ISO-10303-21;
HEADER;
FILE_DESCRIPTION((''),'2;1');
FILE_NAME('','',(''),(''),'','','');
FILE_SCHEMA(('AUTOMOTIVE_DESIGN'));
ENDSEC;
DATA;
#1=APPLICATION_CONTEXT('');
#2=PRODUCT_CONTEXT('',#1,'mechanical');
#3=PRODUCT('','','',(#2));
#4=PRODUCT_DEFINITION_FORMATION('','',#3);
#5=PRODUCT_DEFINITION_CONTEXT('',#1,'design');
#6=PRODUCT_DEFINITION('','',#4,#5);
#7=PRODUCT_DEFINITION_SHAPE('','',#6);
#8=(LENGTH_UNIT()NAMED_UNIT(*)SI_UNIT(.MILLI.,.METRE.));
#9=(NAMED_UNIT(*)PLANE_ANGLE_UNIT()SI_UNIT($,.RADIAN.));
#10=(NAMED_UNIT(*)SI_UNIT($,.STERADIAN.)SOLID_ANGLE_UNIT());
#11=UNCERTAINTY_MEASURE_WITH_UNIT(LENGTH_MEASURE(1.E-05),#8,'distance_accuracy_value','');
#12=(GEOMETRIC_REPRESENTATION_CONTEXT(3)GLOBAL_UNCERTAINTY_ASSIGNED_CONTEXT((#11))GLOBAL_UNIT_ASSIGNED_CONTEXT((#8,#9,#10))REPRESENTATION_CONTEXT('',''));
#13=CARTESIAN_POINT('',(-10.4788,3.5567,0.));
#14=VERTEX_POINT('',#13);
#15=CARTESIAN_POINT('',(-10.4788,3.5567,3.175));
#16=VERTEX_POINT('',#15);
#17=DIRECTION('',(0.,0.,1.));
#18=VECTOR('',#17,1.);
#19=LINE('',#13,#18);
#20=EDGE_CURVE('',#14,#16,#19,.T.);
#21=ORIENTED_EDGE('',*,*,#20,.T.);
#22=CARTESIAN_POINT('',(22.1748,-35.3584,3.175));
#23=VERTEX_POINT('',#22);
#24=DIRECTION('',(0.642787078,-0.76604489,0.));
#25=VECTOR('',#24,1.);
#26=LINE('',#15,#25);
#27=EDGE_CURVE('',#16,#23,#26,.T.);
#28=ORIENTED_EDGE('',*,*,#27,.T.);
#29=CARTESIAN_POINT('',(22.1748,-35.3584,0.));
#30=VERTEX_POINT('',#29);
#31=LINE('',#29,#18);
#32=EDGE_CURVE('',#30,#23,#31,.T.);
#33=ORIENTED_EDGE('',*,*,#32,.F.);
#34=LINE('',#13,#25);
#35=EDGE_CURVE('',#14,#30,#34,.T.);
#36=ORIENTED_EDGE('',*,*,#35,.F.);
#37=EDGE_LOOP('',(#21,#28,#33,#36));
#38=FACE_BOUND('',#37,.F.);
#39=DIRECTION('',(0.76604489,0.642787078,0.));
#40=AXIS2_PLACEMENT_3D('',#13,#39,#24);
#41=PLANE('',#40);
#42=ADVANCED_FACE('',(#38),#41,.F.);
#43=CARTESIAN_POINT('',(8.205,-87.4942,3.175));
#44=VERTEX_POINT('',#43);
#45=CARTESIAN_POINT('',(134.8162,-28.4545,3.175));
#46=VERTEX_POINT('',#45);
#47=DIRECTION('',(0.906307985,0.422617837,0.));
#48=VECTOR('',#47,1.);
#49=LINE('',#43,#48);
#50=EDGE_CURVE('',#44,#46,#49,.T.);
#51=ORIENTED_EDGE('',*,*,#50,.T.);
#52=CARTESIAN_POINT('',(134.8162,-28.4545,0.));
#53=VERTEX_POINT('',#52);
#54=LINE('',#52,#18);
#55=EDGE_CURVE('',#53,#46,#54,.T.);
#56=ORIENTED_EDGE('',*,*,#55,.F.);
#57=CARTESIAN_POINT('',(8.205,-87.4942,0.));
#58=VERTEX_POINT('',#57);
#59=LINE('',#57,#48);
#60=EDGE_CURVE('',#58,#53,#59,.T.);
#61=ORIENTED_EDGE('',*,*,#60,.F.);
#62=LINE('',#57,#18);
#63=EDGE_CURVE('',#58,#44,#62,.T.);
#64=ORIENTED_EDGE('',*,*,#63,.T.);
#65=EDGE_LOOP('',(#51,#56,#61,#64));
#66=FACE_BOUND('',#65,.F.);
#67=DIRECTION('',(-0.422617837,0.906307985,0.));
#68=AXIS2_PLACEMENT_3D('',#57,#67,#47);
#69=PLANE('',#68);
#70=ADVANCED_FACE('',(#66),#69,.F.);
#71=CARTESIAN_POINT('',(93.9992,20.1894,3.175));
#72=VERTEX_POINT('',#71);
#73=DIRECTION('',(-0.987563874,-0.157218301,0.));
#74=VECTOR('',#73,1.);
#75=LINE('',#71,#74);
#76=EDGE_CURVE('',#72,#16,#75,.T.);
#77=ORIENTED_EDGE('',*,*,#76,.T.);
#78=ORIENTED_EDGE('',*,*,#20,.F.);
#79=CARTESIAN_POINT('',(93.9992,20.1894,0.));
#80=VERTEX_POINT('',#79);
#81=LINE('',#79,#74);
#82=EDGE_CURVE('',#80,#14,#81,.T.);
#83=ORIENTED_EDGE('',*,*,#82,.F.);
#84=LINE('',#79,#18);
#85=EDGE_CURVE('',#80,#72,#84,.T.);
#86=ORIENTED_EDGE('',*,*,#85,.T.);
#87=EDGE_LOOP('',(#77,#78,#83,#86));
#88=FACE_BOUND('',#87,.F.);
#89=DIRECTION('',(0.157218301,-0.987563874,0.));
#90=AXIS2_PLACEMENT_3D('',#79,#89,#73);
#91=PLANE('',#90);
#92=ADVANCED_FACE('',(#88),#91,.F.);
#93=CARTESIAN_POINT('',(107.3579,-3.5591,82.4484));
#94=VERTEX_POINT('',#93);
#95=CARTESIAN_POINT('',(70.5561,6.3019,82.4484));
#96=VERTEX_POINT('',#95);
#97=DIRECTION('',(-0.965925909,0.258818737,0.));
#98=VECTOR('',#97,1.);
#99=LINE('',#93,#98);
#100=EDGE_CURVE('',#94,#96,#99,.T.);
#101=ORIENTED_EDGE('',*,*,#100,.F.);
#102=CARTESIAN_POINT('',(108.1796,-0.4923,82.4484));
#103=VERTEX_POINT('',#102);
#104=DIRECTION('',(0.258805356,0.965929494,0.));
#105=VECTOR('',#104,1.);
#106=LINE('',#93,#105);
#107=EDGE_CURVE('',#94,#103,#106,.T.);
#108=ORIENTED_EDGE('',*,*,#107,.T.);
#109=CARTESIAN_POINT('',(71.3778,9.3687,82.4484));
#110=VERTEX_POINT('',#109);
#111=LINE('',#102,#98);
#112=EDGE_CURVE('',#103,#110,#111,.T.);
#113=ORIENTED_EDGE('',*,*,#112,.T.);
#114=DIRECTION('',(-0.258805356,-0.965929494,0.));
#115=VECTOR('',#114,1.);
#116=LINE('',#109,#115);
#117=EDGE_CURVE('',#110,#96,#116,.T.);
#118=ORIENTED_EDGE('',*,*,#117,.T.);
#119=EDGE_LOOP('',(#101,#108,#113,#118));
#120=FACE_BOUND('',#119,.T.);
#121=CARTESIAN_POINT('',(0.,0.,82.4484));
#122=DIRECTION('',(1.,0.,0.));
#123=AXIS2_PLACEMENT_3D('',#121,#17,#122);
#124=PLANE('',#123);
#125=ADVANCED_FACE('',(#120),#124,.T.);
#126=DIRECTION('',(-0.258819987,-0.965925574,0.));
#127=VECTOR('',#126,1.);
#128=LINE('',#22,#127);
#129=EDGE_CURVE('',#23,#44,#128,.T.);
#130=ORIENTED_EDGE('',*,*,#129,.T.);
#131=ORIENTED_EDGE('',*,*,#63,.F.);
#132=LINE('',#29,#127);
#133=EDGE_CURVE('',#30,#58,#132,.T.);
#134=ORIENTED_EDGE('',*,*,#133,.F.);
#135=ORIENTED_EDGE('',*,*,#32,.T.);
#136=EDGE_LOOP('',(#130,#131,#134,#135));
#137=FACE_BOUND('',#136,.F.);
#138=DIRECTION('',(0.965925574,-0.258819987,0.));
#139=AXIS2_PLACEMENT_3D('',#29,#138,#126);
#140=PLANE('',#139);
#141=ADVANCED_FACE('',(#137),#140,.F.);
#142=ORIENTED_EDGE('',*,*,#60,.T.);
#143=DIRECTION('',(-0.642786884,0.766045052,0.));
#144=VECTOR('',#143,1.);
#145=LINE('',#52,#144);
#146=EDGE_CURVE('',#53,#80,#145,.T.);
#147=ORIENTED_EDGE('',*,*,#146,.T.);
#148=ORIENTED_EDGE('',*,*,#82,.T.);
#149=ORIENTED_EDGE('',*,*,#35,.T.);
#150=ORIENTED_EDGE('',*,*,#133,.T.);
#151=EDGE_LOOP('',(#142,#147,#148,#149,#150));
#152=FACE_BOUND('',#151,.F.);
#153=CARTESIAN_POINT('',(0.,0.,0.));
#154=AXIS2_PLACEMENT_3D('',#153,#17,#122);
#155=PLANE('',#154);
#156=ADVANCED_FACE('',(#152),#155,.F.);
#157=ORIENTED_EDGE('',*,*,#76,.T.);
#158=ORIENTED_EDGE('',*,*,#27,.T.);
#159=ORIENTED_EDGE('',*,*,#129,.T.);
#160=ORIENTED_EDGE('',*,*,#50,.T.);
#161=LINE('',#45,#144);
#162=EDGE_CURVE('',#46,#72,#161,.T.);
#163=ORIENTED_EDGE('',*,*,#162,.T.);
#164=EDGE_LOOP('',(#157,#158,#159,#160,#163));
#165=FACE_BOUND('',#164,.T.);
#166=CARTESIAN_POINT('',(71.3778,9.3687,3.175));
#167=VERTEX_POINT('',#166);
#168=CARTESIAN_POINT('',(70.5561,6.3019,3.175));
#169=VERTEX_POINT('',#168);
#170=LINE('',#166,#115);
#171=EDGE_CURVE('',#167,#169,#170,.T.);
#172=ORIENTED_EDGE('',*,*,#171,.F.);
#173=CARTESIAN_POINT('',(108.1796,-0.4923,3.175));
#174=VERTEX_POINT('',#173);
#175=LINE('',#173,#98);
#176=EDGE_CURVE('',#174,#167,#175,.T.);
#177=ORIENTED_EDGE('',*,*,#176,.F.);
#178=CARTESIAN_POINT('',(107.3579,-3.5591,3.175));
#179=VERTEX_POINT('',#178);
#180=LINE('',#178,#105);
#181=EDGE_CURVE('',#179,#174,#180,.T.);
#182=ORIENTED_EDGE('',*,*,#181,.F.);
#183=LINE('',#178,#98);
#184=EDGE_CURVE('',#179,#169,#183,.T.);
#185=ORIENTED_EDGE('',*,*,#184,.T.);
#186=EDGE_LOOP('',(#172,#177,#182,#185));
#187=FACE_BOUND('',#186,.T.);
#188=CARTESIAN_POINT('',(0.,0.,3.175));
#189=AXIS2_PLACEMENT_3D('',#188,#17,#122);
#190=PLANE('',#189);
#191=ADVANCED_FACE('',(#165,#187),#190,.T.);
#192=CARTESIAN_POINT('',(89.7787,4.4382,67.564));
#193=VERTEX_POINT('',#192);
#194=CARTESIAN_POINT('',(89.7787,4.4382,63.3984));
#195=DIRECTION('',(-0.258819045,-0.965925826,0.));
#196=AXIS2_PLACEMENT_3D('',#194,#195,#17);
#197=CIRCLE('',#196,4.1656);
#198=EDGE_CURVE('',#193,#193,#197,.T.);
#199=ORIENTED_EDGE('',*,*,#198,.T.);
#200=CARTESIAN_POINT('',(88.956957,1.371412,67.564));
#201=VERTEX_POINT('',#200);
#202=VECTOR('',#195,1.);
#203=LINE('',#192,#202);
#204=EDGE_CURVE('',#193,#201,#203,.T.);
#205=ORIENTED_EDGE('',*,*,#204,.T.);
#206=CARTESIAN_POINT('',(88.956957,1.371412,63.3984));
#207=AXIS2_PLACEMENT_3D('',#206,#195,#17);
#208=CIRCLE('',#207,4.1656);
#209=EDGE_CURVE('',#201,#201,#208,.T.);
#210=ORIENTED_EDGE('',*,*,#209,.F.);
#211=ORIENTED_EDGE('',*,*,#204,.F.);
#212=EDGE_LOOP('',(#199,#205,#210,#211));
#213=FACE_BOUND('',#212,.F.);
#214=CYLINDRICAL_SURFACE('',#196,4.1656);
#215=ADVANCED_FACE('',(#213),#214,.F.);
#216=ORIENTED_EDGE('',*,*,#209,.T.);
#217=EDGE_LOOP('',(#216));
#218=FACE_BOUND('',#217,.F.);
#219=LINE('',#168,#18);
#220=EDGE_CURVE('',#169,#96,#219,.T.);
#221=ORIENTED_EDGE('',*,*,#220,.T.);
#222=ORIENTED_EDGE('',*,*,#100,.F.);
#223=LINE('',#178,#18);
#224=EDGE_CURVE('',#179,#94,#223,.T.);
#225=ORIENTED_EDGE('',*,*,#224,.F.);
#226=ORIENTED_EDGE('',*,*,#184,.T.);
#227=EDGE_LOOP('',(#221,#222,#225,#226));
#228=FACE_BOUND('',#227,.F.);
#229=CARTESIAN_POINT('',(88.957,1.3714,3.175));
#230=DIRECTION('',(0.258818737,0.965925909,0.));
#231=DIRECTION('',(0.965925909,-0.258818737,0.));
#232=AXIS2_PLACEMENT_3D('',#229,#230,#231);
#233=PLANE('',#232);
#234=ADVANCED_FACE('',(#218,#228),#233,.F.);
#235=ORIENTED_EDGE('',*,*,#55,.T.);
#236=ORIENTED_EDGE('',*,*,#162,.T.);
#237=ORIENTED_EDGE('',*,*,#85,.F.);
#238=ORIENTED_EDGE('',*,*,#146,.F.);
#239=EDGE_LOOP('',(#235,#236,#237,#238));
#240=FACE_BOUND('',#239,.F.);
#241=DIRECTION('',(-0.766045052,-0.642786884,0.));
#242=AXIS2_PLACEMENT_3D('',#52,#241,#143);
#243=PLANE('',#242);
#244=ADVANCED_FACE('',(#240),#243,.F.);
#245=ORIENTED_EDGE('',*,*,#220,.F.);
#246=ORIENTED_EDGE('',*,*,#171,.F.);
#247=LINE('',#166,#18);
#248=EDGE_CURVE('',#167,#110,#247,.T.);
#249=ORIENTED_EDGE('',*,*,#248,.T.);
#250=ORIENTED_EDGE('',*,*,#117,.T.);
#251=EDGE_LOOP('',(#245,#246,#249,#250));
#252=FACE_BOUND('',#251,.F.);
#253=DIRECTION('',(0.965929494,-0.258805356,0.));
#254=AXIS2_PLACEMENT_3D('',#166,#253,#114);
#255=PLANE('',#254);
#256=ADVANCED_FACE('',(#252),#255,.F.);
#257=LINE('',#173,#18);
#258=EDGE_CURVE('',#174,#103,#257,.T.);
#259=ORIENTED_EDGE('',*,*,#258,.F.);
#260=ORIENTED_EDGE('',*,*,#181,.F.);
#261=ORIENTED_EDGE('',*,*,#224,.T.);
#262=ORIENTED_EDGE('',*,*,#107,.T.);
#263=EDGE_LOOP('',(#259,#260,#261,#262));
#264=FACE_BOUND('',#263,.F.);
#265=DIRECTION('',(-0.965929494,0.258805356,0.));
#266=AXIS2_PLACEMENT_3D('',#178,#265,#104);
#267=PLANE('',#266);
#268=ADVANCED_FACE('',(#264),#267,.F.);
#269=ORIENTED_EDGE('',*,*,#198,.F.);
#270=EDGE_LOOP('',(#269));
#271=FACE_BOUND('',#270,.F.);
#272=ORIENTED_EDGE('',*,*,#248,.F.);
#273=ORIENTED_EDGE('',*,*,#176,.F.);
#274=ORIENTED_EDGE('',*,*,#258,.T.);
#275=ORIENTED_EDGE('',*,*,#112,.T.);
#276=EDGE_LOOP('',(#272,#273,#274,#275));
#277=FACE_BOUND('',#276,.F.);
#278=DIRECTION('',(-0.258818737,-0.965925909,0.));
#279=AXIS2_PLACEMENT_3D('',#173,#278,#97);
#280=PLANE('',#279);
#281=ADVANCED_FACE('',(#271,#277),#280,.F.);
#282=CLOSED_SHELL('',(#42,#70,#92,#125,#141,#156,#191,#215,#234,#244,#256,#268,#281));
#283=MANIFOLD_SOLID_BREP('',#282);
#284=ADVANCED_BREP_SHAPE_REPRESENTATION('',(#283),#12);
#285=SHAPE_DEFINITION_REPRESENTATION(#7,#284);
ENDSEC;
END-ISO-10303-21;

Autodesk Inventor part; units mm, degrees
ref_plane "YZ Plane" through (0, 0, 0) normal (1, 0, 0) x (0, 1, 0)
ref_plane "XZ Plane" through (0, 0, 0) normal (0, 1, 0) x (-1, 0, 0)
ref_plane "XY Plane" through (0, 0, 0) normal (0, 0, 1) x (1, 0, 0)
sketch "Sketch1" plane through (0, 0, 0) normal (0, 0, 1) x (1, 0, 0)
  line L0 (-10.4788, 3.5567) -> (22.1748, -35.3584)
  line L1 (-10.4788, 3.5567) -> (40.3212, 3.5567) construction
  line L2 (22.1748, -35.3584) -> (8.205, -87.4942)
  line L3 (8.205, -87.4942) -> (134.8162, -28.4545)
  line L4 (134.8162, -28.4545) -> (93.9992, 20.1894)
  line L5 (93.9992, 20.1894) -> (-10.4788, 3.5567)
  point P0 (0, 0)
  dimension "d0" = 50.8
  dimension "d1" = 50
  dimension "d2" = 53.975
  dimension "d3" = 125
  dimension "d4" = 139.7
  dimension "d5" = 50
  dimension "d6" = 63.5
  dimension "d7" = 75
extrude "Extrusion1" add sketch "Sketch1" along normal blind 3.175
sketch "Sketch2" plane through (0, 0, 3.175) normal (0, 0, 1) x (1, 0, 0)
  line L0 (22.1748, -35.3584) -> (8.205, -87.4942) projected
  line L1 (8.205, -87.4942) -> (8.205, -87.4942)
  line L2 (93.9992, 20.1894) -> (113.481, 20.1894) construction
  line L3 (88.957, 1.3714) -> (107.3579, -3.5591)
  line L4 (107.3579, -3.5591) -> (108.1796, -0.4923)
  line L5 (108.1796, -0.4923) -> (71.3778, 9.3687)
  line L6 (71.3778, 9.3687) -> (70.5561, 6.3019)
  line L7 (88.957, 1.3714) -> (70.5561, 6.3019)
  point P0 (0, 0)
  dimension "d10" = 19.4818
  dimension "d12" = 19.05
  dimension "d13" = 3.175
  dimension "d14" = 38.1
extrude "Extrusion2" add sketch "Sketch2" along normal blind 79.2734
sketch "Sketch3" plane through (71.3778, 9.3687, 82.4484) normal (0.2588, 0.9659, 0) x (0.9659, -0.2588, 0)
  line L0 (0, 0) -> (19.05, 0)
  line L1 (19.05, 0) -> (19.05, 19.05)
  line L2 (19.05, 19.05) -> (0, 19.05)
  line L3 (0, 19.05) -> (0, 0)
  point P0 (-66.5209, 82.4484)
  dimension "d17" = 19.05
  dimension "d18" = 19.05
hole "Hole1" at (89.7787, 4.4382, 63.3984) direction (-0.2588, -0.9659, 0) diameter 8.3312 end through all
properties part number "Left Bicep"
